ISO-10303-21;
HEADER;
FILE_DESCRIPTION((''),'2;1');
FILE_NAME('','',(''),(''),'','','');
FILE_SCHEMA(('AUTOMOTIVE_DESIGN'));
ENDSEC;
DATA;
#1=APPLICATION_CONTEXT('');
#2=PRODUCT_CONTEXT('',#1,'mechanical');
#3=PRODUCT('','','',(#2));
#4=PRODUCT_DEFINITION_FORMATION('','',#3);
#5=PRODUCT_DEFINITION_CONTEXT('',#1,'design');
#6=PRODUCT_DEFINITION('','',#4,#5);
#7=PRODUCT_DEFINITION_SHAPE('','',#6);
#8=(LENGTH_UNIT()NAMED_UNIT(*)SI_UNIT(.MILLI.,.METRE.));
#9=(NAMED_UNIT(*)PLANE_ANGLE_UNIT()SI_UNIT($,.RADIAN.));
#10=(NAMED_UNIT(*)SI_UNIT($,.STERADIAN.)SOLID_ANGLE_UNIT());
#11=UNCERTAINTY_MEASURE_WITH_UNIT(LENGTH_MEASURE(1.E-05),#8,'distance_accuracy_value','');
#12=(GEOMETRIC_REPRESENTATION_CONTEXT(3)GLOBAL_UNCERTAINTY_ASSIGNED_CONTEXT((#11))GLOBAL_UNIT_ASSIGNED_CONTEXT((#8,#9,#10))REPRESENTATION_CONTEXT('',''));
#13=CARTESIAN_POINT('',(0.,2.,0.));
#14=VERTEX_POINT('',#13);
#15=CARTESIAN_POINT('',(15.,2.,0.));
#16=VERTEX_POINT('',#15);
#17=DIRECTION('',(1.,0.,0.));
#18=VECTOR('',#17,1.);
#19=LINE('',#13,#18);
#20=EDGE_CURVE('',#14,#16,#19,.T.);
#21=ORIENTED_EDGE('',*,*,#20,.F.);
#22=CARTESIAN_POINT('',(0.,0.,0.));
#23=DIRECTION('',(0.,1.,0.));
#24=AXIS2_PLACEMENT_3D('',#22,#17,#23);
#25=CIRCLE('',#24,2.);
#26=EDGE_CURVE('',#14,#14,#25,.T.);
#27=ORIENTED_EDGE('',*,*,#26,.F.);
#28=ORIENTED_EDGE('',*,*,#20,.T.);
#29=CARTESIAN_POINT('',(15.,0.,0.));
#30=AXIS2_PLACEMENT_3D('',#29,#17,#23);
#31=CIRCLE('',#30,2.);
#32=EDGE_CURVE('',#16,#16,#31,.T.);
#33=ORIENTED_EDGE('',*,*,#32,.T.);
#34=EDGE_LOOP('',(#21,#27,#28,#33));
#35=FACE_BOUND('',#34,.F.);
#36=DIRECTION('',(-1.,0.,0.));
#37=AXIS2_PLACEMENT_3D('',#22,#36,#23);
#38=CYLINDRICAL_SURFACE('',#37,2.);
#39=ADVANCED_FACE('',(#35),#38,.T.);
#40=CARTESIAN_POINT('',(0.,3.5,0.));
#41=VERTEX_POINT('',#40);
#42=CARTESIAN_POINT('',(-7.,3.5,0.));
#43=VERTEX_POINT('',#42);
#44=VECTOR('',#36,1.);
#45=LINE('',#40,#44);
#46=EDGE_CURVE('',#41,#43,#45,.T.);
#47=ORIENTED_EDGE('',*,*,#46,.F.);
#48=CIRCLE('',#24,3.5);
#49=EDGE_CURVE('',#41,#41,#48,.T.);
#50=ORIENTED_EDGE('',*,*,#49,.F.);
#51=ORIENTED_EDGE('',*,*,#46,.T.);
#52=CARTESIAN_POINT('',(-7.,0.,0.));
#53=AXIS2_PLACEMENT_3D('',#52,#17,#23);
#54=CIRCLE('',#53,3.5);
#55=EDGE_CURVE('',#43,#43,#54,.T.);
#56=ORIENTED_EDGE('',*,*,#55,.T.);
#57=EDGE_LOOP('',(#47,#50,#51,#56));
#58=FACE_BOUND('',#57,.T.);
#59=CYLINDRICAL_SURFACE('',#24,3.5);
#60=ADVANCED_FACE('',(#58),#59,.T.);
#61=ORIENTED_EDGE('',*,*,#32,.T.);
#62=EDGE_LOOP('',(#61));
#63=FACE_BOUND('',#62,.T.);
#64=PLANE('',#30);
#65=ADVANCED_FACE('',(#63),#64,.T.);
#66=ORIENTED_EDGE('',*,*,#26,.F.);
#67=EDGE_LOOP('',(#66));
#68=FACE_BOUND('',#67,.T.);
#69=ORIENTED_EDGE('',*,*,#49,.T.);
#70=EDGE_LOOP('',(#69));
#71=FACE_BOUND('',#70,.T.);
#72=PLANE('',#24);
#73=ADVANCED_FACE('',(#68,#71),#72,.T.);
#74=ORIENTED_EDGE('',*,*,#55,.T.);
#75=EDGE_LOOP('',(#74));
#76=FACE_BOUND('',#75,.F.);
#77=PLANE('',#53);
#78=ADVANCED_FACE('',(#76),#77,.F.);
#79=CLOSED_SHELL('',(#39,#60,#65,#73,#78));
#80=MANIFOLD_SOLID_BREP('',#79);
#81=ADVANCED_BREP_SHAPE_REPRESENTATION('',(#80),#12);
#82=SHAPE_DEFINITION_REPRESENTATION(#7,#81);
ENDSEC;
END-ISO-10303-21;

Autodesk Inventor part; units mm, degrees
ref_plane "YZ Plane" through (0, 0, 0) normal (1, 0, 0) x (0, 1, 0)
ref_plane "XZ Plane" through (0, 0, 0) normal (0, 1, 0) x (-1, 0, 0)
ref_plane "XY Plane" through (0, 0, 0) normal (0, 0, 1) x (1, 0, 0)
sketch "Sketch1" plane through (0, 0, 0) normal (1, 0, 0) x (0, 1, 0)
  circle A0 centre (0, 0) radius 3.5
  circle A1 centre (0, 0) radius 2
  dimension "d0" = 7
  dimension "d1" = 4
extrude "Extrusion1" add sketch "Sketch1" against normal blind 7 contours A0 | A1
extrude "Extrusion2" add sketch "Sketch1" along normal blind 15 contours A1
properties part number "back_axis"
